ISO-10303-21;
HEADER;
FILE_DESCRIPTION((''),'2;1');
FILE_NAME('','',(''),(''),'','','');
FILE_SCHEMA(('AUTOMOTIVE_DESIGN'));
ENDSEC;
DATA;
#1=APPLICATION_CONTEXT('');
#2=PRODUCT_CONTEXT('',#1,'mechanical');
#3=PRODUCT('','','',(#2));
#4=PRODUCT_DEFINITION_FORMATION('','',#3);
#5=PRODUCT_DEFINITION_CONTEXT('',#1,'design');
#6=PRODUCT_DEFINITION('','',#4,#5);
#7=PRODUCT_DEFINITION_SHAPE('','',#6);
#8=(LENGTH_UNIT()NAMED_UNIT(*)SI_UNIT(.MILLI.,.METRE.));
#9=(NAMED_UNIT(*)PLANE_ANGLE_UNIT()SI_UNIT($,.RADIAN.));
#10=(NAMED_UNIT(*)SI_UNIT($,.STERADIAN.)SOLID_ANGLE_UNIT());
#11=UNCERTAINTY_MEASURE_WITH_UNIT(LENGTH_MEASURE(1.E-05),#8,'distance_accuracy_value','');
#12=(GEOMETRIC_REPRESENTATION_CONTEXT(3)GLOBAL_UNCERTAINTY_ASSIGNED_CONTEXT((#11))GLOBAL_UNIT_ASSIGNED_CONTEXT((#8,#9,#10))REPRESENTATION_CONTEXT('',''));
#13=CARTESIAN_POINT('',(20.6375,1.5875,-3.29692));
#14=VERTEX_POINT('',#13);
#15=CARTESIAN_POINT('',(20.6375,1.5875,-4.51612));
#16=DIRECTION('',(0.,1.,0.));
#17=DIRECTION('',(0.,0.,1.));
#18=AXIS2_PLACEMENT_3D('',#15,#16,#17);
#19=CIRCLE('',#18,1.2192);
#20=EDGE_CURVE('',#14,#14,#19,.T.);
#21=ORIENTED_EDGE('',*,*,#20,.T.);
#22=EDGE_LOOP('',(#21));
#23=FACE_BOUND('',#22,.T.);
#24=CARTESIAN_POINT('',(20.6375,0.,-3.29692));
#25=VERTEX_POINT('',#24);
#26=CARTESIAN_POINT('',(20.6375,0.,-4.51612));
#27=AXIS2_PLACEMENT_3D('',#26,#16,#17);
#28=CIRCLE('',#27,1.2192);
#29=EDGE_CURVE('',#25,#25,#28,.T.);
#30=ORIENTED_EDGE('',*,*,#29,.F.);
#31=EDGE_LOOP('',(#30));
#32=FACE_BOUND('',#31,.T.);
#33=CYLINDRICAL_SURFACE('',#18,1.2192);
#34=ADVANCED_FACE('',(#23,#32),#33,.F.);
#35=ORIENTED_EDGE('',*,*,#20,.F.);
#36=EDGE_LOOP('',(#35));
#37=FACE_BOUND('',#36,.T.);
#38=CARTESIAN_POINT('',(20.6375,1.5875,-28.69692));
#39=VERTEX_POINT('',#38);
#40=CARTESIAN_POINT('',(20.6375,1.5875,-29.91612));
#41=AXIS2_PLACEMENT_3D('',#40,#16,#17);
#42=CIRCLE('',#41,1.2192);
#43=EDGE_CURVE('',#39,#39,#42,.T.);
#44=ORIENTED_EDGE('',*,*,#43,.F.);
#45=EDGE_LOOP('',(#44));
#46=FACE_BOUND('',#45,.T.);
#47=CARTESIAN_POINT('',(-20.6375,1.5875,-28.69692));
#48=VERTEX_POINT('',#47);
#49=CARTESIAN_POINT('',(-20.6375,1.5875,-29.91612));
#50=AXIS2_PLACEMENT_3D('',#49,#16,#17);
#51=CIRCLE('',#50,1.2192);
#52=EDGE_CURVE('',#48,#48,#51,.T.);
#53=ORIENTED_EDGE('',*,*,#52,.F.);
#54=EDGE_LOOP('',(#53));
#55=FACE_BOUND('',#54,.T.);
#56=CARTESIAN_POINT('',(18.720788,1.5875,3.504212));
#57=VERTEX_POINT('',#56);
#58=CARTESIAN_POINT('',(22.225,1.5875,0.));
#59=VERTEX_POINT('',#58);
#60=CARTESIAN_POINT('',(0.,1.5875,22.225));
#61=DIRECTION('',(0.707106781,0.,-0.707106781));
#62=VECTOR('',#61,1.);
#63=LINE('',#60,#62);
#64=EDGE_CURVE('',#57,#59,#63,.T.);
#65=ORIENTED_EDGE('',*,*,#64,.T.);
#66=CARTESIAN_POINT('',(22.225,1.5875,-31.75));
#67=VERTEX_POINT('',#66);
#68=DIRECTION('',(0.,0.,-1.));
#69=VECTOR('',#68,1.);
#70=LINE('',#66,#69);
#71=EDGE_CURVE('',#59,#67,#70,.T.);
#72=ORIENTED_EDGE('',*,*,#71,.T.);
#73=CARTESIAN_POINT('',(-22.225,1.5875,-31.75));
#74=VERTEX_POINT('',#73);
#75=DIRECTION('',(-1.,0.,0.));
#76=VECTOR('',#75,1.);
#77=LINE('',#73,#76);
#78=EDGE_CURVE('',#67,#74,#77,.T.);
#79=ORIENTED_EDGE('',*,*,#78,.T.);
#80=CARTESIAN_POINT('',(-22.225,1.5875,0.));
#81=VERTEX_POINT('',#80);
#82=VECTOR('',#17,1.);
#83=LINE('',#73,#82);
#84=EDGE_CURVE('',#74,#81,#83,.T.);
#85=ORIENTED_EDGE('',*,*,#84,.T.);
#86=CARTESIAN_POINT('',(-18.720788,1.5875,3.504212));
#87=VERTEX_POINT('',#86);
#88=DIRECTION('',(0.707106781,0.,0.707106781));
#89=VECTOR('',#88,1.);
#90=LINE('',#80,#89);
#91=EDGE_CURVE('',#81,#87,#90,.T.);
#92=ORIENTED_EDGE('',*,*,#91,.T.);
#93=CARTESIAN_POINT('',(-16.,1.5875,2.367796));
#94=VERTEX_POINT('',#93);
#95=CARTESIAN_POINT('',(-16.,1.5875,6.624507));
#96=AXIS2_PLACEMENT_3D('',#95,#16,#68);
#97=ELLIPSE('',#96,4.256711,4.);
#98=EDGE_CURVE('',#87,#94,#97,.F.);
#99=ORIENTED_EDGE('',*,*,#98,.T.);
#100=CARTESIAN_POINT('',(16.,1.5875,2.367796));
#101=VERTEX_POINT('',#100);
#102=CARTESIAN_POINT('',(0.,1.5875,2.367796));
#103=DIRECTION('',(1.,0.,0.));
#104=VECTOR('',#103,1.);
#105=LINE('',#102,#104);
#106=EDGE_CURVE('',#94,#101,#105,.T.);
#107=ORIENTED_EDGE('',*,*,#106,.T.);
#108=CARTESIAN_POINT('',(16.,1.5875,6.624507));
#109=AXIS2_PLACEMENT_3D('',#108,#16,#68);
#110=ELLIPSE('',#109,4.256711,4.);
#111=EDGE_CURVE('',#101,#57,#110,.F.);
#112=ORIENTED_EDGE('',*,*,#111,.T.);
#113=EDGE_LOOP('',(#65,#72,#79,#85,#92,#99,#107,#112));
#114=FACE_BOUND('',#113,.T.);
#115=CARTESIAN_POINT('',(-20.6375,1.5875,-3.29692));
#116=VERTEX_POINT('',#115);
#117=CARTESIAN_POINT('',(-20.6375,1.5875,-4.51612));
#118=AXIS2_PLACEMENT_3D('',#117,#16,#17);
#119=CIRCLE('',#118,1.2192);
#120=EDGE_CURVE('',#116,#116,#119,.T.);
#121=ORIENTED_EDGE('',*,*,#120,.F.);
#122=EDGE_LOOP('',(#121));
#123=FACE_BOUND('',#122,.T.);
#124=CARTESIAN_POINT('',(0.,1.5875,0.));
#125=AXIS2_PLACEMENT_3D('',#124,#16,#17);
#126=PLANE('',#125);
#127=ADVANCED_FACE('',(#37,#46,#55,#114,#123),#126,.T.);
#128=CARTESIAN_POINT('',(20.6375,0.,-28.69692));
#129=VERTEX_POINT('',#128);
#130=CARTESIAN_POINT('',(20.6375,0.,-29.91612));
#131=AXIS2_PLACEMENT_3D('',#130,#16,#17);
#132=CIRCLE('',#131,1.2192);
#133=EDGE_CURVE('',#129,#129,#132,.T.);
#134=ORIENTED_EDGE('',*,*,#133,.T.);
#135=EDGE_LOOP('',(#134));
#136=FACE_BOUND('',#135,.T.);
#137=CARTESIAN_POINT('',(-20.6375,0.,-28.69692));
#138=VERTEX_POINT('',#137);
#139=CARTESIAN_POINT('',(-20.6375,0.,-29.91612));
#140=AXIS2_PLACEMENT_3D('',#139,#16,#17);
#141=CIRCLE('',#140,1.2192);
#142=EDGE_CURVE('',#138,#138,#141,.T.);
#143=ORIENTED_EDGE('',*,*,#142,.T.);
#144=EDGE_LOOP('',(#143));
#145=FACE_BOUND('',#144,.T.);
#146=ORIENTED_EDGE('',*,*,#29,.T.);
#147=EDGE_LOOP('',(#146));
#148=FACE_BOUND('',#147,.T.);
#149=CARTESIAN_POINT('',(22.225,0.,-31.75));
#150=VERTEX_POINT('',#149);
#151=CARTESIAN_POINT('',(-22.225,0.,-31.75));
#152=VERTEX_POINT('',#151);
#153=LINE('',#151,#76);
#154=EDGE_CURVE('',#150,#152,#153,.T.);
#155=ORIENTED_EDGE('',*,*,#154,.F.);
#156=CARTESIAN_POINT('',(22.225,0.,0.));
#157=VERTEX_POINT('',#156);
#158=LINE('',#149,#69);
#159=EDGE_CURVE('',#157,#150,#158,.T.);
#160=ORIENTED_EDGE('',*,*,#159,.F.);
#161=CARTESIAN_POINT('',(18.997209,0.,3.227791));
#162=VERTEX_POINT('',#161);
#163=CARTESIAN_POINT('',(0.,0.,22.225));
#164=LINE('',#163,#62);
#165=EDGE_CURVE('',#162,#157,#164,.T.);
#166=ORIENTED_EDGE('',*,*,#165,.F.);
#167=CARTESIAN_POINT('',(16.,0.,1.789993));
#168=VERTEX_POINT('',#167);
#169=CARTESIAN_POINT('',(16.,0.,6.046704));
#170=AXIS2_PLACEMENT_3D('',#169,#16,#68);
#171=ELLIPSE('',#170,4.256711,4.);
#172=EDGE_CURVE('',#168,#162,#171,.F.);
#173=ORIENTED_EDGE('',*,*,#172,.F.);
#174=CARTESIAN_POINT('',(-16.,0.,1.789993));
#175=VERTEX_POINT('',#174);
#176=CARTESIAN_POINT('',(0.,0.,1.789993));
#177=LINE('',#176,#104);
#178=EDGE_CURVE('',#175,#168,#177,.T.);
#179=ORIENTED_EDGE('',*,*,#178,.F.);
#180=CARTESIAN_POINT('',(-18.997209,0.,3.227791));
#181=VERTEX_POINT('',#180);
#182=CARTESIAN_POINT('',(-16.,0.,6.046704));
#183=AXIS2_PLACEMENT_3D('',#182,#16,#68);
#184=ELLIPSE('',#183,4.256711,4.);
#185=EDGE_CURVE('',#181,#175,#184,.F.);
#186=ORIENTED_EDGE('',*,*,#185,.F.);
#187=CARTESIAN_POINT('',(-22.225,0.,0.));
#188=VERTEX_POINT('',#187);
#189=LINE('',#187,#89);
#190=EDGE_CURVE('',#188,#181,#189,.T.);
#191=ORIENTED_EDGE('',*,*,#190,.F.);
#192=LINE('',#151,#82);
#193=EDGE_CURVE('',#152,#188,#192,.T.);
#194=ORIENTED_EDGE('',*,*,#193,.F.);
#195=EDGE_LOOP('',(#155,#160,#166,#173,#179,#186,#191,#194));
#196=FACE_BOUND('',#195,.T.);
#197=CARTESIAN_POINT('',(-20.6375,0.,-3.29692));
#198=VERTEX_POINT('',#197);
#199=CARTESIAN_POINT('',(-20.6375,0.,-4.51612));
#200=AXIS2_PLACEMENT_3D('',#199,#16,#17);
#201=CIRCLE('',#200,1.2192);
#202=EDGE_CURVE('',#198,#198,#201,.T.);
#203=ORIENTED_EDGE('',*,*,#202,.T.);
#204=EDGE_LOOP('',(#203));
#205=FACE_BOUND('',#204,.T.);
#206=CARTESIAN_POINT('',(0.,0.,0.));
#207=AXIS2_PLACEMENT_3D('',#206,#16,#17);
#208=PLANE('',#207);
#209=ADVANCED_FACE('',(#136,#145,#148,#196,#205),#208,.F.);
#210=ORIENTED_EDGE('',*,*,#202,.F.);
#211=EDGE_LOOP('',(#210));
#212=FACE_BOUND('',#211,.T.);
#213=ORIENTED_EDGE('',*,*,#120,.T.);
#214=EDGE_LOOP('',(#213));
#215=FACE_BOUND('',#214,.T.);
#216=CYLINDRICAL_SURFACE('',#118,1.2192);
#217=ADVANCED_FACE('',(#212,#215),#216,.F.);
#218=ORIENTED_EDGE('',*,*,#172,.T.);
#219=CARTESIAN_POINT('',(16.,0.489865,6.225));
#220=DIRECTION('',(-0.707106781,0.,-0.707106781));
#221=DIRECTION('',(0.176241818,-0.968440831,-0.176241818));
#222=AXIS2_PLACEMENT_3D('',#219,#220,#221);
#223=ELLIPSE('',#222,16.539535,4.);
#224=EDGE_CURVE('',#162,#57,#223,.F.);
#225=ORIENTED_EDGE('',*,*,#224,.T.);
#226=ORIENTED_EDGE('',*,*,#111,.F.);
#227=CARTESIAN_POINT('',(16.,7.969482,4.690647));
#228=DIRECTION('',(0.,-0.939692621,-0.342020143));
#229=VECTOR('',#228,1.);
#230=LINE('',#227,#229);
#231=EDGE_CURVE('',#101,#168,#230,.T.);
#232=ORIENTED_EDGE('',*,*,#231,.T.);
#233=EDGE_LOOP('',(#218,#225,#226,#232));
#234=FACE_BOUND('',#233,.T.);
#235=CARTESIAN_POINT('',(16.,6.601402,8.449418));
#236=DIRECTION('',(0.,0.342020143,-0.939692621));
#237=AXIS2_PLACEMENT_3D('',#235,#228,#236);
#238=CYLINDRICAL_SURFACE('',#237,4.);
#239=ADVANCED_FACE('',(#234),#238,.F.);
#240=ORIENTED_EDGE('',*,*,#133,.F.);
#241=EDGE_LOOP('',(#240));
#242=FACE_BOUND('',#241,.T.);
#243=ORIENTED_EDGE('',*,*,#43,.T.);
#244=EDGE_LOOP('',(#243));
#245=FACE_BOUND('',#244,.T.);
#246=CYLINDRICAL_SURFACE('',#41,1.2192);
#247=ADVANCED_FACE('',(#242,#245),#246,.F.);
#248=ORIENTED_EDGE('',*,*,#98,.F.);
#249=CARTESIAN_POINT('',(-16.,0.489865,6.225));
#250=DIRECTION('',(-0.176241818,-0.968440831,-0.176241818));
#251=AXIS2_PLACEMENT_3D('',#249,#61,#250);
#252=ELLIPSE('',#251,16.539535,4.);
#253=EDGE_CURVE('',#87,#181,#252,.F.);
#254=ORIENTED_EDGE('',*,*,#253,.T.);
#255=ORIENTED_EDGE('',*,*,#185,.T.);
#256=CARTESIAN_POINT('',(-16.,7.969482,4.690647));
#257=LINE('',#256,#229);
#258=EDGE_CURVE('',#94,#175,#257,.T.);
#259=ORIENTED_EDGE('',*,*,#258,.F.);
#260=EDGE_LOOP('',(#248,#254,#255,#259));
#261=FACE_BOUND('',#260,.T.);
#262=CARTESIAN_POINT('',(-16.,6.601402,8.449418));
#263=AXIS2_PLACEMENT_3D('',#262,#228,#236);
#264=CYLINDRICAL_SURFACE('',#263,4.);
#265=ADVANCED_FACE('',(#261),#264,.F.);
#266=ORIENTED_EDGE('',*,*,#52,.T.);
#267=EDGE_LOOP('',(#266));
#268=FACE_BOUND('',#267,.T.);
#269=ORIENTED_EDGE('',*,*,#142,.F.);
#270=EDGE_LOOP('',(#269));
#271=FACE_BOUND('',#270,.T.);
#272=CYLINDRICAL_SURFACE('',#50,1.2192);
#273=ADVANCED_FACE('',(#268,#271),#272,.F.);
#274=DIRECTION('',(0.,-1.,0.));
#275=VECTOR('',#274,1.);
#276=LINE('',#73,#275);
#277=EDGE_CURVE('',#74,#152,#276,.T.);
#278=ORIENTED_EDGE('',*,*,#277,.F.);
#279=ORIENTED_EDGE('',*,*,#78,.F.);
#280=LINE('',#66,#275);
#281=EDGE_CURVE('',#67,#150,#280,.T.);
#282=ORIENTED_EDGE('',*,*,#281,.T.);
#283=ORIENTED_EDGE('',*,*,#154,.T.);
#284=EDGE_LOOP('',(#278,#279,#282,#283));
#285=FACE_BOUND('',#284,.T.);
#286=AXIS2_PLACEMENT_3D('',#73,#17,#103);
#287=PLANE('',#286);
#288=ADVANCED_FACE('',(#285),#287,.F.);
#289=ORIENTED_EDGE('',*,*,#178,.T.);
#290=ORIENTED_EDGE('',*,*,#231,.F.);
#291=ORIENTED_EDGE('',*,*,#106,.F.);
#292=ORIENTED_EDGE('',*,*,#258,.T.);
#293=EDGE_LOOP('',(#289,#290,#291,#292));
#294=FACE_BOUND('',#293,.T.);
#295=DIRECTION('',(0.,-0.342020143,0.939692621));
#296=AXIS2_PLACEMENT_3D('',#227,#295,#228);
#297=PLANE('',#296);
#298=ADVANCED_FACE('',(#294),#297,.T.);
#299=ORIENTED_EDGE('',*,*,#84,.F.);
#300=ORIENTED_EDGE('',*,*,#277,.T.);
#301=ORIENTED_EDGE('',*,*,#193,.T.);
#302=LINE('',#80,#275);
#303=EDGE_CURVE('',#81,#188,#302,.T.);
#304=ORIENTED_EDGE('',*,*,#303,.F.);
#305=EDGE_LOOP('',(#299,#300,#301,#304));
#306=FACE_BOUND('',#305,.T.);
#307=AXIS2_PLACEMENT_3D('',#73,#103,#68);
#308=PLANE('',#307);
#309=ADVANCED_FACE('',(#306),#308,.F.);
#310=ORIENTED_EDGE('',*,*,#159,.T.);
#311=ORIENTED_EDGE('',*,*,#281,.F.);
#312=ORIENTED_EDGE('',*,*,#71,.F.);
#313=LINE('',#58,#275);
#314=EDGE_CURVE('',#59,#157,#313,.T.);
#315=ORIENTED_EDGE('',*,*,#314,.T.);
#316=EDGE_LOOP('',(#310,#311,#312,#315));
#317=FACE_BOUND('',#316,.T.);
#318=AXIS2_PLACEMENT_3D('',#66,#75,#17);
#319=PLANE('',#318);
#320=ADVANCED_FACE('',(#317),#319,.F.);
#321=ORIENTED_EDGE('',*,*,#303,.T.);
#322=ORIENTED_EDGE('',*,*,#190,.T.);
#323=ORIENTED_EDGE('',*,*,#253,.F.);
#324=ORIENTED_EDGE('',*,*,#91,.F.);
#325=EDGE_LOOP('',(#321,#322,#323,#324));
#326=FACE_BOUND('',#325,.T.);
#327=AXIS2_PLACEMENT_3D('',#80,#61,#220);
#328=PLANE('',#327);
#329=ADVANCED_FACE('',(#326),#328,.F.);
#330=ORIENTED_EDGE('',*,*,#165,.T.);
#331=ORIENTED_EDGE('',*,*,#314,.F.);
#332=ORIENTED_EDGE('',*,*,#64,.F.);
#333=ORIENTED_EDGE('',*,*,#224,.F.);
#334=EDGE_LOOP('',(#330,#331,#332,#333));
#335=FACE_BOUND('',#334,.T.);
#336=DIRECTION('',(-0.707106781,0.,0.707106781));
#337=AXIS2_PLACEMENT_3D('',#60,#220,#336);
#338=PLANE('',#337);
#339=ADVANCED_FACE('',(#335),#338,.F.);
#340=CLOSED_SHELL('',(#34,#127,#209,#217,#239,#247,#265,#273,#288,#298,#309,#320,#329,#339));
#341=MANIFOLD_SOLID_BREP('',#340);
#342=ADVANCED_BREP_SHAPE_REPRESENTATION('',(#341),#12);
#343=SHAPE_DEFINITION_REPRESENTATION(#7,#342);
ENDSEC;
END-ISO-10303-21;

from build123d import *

# Parameters (mm, degrees)
BOSS_EXTRUDE1_DEPTH   = 1.5875
CUT_EXTRUDE3_DEPTH    = 18.601397685
F_2_CLEARANCE_HOLE1_D = 2.4384


with BuildPart() as part:
    # Sketch1 → Boss-Extrude1 (new body)
    with BuildSketch(Plane(origin=(0, 0, 0), x_dir=(1, 0, 0), z_dir=(0, 1, 0))):
        Polygon((-22.225, 0), (0, -22.225), (22.225, 0), (22.225, 31.75), (-22.225, 31.75), align=None)
    extrude(amount=BOSS_EXTRUDE1_DEPTH)

    # Sketch4 → Cut-Extrude3 (cut, through all)
    with BuildSketch(Plane(origin=(0, 17.622290844, -73.293269771), x_dir=(1, 0, 0), z_dir=(0, 0.939692621, 0.342020143))):
        with BuildLine():
            Line((0, -95.784991694), (18.997209487, -77.933454124))
            ThreePointArc((18.997209487, -77.933454124), (17.643829617, -76.935748034), (16, -76.58236622))
            Line((16, -76.58236622), (-16, -76.58236622))
            ThreePointArc((-16, -76.58236622), (-17.643829617, -76.935748034), (-18.997209487, -77.933454124))
            Line((-18.997209487, -77.933454124), (0, -95.784991694))
        make_face()
    extrude(amount=CUT_EXTRUDE3_DEPTH, mode=Mode.SUBTRACT)

    # #2 Clearance Hole1 (through all)
    with Locations(Plane(origin=(0, 1.5875, 5.174363579), x_dir=(0, 0, 1), z_dir=(0, 1, 0))):
        with Locations((-9.69048373, 20.6375), (-35.09048373, 20.6375), (-35.09048373, -20.6375), (-9.69048373, -20.6375)):
            Hole(F_2_CLEARANCE_HOLE1_D / 2)


solid = part.part
